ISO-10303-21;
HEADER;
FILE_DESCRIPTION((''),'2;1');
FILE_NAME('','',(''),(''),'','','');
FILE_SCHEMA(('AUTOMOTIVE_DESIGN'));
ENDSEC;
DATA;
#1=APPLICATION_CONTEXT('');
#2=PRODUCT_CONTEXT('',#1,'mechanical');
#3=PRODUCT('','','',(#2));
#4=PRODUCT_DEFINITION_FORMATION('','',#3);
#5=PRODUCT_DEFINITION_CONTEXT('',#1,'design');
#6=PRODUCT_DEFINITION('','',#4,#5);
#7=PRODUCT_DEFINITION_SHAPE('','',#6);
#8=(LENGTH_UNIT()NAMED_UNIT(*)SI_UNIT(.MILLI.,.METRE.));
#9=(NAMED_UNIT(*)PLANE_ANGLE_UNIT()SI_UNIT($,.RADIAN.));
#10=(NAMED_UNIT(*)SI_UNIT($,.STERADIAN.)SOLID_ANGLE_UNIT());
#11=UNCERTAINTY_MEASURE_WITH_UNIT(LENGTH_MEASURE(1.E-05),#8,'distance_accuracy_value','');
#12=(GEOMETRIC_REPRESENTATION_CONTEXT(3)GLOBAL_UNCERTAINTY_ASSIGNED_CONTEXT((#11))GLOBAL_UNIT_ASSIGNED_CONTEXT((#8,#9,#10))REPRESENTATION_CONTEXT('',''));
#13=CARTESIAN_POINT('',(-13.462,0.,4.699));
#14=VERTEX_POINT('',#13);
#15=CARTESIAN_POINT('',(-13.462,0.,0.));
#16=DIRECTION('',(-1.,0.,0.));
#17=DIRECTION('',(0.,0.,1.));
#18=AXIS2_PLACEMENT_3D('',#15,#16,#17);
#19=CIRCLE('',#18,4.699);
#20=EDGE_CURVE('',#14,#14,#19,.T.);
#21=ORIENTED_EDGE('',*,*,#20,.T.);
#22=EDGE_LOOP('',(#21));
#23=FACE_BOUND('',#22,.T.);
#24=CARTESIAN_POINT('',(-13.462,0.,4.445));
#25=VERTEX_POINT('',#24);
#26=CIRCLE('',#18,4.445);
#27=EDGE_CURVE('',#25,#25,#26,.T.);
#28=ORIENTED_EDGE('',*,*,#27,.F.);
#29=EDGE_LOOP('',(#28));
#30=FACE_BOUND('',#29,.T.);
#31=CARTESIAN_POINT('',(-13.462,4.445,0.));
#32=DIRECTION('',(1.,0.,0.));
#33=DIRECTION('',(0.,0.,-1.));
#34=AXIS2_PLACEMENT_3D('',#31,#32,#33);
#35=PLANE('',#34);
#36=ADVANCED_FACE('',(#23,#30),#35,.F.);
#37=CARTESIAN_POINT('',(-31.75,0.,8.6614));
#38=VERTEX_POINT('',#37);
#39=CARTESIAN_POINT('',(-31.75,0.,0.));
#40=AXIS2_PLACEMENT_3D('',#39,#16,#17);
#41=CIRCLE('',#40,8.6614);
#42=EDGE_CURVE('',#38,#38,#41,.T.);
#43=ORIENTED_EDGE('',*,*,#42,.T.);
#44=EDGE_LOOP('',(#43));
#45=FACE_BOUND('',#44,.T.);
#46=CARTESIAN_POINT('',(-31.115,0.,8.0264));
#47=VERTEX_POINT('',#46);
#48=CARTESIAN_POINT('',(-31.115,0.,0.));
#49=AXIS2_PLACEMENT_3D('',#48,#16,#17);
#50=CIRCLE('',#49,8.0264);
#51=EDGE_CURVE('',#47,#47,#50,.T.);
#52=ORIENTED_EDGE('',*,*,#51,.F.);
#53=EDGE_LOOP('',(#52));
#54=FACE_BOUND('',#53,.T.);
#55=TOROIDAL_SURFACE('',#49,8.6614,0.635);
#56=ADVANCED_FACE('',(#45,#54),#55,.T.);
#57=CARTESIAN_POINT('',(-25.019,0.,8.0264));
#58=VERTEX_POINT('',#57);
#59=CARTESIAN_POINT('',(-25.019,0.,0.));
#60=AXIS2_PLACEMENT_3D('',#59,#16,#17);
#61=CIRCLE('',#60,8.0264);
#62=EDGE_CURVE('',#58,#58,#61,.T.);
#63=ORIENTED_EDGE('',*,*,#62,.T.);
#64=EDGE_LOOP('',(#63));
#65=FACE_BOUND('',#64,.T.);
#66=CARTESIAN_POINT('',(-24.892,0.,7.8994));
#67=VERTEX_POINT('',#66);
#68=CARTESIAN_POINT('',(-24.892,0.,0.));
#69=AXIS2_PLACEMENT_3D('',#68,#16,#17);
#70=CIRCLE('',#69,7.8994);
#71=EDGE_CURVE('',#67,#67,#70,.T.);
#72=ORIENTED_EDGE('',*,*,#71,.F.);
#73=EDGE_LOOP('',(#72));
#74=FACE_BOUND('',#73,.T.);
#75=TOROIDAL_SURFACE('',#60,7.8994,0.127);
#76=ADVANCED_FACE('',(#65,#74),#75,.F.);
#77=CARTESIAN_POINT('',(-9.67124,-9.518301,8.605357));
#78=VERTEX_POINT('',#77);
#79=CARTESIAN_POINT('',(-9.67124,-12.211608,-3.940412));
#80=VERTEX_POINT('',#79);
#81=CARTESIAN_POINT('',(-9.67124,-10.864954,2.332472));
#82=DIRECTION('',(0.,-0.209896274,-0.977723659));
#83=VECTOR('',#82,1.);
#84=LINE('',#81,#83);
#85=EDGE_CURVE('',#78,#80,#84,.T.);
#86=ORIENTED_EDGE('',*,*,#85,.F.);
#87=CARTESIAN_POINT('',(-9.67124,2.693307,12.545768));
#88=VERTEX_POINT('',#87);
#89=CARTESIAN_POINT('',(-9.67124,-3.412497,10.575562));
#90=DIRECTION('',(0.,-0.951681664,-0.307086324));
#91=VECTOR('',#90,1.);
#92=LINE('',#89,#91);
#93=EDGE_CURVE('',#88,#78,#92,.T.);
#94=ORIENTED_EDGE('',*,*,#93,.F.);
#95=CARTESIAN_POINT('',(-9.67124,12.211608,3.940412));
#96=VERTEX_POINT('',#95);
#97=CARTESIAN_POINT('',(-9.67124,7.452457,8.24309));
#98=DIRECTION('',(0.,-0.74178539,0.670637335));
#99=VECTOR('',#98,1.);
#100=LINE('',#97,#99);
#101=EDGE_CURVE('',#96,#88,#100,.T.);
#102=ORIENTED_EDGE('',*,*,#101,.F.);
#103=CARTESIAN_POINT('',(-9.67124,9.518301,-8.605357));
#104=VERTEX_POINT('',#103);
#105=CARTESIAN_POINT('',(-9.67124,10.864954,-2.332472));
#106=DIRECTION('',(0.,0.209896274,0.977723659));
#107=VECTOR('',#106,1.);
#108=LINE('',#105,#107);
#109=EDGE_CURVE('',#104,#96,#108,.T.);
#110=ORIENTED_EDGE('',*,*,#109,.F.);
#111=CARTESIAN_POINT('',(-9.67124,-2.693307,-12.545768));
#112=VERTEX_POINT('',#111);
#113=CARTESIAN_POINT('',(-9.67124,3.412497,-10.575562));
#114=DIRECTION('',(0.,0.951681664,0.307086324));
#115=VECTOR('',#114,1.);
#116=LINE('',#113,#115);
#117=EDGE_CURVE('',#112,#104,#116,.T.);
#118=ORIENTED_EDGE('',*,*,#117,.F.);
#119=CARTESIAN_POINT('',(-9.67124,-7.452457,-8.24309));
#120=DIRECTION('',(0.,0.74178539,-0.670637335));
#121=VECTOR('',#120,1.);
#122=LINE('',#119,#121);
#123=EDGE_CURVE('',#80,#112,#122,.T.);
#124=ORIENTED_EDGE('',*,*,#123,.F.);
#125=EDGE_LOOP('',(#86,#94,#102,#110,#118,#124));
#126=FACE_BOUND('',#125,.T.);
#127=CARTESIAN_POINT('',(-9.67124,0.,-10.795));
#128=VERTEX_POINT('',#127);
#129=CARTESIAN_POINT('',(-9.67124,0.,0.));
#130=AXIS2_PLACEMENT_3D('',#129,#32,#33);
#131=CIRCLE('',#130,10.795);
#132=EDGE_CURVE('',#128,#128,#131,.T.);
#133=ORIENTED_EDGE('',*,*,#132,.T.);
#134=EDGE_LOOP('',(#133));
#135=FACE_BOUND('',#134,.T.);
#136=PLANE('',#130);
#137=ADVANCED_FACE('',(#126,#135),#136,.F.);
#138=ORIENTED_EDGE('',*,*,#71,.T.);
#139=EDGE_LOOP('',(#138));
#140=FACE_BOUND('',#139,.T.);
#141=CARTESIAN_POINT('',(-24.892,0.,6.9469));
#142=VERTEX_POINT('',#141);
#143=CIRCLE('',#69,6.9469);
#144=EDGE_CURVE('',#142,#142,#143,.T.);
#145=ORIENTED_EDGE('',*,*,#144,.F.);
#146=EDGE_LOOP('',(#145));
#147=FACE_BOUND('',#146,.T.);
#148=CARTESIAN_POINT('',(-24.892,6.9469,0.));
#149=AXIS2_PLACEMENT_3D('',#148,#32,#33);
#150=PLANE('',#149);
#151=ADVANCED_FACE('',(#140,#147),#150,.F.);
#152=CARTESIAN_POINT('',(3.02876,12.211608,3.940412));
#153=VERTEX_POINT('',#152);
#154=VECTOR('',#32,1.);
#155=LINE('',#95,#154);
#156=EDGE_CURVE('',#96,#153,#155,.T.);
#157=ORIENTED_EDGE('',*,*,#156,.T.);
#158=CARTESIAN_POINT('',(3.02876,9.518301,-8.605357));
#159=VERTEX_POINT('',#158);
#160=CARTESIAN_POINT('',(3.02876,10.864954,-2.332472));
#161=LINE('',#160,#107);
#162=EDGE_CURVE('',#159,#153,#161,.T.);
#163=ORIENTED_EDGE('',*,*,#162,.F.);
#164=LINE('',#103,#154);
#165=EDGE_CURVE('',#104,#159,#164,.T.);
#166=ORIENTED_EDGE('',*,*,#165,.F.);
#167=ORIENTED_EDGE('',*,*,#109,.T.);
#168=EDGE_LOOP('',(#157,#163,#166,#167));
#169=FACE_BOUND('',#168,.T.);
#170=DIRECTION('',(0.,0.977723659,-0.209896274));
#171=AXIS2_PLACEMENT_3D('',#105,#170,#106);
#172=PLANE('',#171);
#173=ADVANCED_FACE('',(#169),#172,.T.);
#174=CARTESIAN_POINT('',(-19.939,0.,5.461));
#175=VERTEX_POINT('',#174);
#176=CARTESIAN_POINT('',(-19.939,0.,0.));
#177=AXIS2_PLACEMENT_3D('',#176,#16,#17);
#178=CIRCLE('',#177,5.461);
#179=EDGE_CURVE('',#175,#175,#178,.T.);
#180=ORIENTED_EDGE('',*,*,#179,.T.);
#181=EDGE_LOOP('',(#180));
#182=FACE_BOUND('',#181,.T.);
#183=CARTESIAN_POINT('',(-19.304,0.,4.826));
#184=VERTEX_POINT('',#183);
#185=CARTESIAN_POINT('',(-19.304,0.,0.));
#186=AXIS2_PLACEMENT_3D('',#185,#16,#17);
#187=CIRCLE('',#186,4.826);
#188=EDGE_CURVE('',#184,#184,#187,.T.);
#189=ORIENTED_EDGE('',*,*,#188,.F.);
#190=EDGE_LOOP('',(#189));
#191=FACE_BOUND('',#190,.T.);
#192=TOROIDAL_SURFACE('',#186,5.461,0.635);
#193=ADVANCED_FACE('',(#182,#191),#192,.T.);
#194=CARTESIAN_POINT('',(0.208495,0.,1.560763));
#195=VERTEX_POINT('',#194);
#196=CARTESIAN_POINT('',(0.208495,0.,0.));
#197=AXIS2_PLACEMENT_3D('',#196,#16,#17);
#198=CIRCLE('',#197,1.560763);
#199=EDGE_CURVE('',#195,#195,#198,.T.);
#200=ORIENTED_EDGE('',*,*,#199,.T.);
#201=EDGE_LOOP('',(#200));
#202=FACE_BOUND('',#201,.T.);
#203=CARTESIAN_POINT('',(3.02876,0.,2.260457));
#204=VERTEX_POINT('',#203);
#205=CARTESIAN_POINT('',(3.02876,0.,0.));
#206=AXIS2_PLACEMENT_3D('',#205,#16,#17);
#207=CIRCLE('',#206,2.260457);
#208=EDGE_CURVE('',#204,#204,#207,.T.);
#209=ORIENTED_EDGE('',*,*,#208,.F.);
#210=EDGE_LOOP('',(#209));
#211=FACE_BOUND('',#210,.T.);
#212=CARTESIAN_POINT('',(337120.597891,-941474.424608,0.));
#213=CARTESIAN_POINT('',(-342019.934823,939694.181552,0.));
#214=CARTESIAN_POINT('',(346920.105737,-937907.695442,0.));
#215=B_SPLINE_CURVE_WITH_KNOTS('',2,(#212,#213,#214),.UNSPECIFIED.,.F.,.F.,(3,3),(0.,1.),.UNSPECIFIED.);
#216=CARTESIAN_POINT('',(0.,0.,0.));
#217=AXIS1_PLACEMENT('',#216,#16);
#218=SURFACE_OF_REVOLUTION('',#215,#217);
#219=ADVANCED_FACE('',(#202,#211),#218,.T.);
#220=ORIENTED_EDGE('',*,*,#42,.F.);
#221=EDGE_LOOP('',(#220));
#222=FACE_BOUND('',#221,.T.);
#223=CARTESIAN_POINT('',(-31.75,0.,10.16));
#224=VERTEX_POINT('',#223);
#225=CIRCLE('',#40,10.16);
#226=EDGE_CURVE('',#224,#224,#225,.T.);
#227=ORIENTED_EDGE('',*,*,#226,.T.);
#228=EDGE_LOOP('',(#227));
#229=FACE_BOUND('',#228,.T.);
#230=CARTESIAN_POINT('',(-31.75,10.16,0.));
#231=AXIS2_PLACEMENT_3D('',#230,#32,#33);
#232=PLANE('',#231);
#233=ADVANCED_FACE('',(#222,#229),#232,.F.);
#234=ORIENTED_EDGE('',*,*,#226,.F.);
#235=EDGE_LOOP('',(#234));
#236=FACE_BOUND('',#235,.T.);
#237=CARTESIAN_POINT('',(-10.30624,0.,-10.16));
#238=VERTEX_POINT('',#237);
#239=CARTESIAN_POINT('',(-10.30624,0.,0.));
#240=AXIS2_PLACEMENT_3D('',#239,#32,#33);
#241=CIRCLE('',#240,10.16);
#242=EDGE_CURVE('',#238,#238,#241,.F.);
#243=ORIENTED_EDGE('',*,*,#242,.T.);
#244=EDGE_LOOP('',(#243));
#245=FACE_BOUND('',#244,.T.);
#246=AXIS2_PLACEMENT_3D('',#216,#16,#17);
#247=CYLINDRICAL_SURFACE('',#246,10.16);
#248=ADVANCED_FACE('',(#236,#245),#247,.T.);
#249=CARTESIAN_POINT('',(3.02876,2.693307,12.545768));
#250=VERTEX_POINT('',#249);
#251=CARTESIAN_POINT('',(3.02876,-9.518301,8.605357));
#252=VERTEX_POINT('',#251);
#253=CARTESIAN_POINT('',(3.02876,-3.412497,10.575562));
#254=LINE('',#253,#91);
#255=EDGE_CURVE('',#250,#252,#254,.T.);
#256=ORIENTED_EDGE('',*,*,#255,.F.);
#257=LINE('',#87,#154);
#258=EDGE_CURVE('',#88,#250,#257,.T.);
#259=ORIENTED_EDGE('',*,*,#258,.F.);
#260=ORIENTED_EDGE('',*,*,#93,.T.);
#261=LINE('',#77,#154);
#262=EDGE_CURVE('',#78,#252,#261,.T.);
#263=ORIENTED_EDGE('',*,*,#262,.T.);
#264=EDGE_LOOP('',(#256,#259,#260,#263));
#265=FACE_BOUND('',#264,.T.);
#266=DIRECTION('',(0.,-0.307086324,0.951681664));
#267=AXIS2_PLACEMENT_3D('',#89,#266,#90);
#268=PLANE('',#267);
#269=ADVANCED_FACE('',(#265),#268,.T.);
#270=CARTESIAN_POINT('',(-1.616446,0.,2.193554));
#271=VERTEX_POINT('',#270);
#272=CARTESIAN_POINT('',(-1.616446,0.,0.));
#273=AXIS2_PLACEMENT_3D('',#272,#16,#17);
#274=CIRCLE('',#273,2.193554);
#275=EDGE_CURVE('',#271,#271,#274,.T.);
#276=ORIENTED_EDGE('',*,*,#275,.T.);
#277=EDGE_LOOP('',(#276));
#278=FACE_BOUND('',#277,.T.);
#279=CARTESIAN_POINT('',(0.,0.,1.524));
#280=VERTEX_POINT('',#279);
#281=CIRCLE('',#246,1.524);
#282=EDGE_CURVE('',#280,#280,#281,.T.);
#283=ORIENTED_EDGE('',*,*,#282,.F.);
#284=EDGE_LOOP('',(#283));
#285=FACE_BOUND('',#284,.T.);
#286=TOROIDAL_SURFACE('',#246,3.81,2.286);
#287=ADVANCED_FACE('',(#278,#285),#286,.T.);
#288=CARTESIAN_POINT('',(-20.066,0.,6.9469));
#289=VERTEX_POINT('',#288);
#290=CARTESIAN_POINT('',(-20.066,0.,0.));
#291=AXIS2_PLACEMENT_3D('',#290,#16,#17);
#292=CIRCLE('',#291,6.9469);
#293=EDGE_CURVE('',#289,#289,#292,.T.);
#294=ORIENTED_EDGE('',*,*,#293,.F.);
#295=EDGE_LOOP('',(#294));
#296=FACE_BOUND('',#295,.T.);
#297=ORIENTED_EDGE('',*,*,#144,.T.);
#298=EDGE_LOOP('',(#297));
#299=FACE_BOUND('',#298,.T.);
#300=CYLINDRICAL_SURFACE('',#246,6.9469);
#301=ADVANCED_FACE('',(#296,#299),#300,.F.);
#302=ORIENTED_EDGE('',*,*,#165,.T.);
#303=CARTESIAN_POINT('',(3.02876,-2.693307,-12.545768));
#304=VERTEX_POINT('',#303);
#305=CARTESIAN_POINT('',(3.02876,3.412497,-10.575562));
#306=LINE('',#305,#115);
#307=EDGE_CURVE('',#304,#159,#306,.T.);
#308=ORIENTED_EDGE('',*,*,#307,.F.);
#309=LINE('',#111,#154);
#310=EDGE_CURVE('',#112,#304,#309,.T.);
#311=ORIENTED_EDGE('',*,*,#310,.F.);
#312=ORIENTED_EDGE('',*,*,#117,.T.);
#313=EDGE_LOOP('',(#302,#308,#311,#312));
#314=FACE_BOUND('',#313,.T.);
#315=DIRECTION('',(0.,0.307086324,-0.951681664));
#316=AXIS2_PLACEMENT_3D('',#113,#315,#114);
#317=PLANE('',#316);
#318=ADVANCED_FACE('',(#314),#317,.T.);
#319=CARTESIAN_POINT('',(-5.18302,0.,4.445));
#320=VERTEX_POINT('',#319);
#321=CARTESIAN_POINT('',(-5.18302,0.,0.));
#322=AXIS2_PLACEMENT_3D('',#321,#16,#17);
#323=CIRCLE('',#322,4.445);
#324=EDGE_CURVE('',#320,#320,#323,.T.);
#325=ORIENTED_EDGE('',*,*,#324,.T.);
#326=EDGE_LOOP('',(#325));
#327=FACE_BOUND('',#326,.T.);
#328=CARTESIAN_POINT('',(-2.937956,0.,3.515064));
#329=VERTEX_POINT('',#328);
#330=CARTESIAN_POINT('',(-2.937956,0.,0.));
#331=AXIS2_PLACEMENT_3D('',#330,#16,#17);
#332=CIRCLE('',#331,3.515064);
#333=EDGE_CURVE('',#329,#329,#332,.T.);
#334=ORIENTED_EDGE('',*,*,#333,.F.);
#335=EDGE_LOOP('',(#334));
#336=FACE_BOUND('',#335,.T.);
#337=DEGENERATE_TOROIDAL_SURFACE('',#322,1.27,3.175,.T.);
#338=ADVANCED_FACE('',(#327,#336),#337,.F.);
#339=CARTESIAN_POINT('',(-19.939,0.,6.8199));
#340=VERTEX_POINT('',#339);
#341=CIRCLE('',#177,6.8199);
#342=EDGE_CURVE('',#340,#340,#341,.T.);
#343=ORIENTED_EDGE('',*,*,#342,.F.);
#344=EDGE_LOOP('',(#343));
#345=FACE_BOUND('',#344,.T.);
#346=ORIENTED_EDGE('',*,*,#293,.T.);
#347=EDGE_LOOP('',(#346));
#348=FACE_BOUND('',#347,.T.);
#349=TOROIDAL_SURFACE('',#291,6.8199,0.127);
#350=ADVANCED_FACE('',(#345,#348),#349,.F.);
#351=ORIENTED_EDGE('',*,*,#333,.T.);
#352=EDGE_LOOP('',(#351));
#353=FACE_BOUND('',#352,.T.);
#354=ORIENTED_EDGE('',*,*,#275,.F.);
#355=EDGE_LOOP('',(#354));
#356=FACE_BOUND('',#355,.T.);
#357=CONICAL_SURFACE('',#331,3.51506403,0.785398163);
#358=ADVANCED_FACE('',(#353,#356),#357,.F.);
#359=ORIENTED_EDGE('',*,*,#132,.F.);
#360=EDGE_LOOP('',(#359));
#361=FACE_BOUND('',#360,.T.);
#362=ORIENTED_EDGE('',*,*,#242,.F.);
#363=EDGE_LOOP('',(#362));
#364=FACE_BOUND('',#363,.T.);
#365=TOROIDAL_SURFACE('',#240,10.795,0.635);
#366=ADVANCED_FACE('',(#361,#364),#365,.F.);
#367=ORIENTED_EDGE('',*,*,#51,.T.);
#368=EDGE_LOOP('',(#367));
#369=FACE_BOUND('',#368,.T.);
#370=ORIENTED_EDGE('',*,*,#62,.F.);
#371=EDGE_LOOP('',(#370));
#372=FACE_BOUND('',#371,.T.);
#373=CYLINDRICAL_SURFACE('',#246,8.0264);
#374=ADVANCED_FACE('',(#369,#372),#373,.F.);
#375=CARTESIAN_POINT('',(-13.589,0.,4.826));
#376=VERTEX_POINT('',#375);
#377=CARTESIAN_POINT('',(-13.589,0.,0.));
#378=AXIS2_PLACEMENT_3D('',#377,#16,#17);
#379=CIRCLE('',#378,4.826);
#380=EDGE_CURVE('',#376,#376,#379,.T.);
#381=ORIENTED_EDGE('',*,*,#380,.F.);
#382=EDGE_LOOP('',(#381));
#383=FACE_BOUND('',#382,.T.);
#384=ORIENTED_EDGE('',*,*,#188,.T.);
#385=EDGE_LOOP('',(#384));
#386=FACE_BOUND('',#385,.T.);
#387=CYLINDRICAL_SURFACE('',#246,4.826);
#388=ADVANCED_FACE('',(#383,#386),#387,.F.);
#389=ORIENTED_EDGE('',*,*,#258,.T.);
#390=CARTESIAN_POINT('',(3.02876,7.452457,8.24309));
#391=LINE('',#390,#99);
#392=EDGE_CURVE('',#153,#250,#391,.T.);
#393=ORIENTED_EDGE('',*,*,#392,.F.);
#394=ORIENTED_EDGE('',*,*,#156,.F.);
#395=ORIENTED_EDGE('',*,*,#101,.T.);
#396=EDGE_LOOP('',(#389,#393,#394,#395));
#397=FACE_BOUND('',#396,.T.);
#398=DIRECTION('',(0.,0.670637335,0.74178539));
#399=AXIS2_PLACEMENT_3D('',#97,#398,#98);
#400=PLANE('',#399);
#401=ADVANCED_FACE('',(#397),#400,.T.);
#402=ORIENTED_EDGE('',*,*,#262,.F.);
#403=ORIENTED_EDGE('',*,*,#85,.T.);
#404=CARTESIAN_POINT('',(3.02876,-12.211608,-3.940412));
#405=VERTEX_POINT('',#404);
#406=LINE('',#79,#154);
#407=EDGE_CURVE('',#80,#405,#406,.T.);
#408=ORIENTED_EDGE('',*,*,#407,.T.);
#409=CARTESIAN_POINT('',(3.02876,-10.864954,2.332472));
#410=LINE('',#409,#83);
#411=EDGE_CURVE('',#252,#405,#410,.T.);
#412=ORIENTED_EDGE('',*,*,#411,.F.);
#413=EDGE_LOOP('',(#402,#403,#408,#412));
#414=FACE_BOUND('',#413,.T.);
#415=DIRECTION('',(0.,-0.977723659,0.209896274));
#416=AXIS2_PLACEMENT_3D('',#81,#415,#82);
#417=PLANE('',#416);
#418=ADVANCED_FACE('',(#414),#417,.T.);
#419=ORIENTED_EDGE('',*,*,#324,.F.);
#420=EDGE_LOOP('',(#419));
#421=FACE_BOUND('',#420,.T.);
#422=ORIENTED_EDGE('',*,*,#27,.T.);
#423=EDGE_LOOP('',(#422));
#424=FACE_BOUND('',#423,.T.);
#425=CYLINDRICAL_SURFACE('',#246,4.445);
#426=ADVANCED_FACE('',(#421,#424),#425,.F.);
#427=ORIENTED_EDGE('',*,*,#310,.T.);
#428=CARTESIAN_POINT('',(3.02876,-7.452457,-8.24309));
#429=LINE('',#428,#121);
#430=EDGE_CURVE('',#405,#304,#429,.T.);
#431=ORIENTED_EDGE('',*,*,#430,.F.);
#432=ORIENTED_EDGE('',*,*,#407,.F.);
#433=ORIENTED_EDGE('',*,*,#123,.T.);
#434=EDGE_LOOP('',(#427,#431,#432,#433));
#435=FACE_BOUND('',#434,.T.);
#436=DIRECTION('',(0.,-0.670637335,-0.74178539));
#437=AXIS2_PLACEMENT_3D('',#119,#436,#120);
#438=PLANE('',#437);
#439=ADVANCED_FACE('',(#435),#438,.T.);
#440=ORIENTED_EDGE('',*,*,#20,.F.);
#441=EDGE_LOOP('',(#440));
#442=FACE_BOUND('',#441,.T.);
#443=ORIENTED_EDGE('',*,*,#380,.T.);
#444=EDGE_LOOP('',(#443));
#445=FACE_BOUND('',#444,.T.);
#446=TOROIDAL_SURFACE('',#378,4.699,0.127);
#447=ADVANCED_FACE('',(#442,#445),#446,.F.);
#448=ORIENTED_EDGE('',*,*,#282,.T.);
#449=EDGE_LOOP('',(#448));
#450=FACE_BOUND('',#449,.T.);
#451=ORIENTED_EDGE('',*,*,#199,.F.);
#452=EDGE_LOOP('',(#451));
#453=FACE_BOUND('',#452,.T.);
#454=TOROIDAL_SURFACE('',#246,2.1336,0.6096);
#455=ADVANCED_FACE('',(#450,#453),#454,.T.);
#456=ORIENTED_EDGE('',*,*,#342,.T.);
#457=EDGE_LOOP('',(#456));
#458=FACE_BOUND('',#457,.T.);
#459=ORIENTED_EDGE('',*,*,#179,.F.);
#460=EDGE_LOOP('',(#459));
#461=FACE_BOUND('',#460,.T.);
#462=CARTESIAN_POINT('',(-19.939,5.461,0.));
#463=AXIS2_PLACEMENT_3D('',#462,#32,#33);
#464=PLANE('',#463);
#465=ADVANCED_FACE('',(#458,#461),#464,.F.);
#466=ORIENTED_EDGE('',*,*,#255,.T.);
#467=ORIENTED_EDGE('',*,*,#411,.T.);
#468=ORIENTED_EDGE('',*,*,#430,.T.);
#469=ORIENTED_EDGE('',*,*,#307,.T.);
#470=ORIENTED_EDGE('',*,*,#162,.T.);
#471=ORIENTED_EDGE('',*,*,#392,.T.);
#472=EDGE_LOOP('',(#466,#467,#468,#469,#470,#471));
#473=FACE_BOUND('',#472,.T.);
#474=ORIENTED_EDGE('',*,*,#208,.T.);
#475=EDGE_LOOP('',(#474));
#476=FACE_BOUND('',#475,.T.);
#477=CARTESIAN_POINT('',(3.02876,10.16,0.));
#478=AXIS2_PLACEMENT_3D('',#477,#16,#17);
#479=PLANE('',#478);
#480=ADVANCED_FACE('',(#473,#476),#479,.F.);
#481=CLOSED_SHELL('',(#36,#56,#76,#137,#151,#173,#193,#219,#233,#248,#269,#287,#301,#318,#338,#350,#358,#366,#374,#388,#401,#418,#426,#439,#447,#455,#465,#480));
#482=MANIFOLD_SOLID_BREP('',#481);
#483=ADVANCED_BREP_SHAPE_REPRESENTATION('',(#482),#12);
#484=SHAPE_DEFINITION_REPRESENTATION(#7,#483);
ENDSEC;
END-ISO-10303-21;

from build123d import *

# Parameters (mm, degrees)
SKETCH4_R           = 10.16
BOSS_EXTRUDE1_DEPTH = 12.7
FILLET1_R           = 0.635


with BuildPart() as part:
    # Sketch1 → Revolve1 (revolve)
    with BuildSketch(Plane.XY, mode=Mode.PRIVATE) as revolve1_sk:
        with BuildLine():
            Line((-1.616446102, 2.193553898), (-2.937956234, 3.51506403))
            ThreePointArc((-2.937956234, 3.51506403), (-3.968000366, 4.203317516), (-5.183020264, 4.445))
            Line((-5.183020264, 4.445), (-13.462, 4.445))
            Line((-13.462, 4.445), (-13.462, 4.699))
            ThreePointArc((-13.462, 4.699), (-13.499197439, 4.788802561), (-13.589, 4.826))
            Line((-13.589, 4.826), (-19.304, 4.826))
            ThreePointArc((-19.304, 4.826), (-19.753012806, 5.011987194), (-19.939, 5.461))
            Line((-19.939, 5.461), (-19.939, 6.8199))
            ThreePointArc((-19.939, 6.8199), (-19.976197439, 6.909702561), (-20.066, 6.9469))
            Line((-20.066, 6.9469), (-24.892, 6.9469))
            Line((-24.892, 6.9469), (-24.892, 7.8994))
            ThreePointArc((-24.892, 7.8994), (-24.929197439, 7.989202561), (-25.019, 8.0264))
            Line((-25.019, 8.0264), (-31.115, 8.0264))
            ThreePointArc((-31.115, 8.0264), (-31.564012806, 8.212387194), (-31.75, 8.6614))
            Line((-31.75, 8.6614), (-31.75, 10.16))
            Line((-31.75, 10.16), (-9.671239617, 10.16))
            Line((-9.671239617, 10.16), (3.028760383, 10.16))
            Line((3.028760383, 10.16), (3.028760383, 2.260457299))
            add(Edge.make_bspline(
                [(3.028760383, 2.260457299), (1.566112415, 2.054895533), (0.208495479, 1.560763378)],
                knots=[0, 0, 0, 1, 1, 1], degree=2))
            ThreePointArc((0.208495479, 1.560763378), (0.105855929, 1.533261194), (0, 1.524))
            ThreePointArc((0, 1.524), (-0.874814326, 1.698011389), (-1.616446102, 2.193553898))
        make_face()
    revolve(revolve1_sk.sketch.rotate(Axis((0, 0, 0), (1, 0, 0)), 90), axis=Axis((0, 0, 0), (1, 0, 0)))

    # Sketch4 → Boss-Extrude1 (add)
    with BuildSketch(Plane(origin=(3.028760383, 0, 0), x_dir=(0, 0, -1), z_dir=(1, 0, 0))):
        Polygon((3.940411868, -12.211607701), (12.545768424, -2.693307071), (8.605356556, 9.51830063), (-3.940411868, 12.211607701), (-12.545768424, 2.693307071), (-8.605356556, -9.51830063), align=None)
        with Locations(Location((0, 0, 0), (0, 0, 180))):
            Circle(SKETCH4_R, mode=Mode.SUBTRACT)
    extrude(amount=-BOSS_EXTRUDE1_DEPTH)

    # Fillet1
    fillet1_edges = [part.edges().sort_by_distance(p)[0] for p in [
        (-9.671239617, 0, -10.16),
    ]]
    fillet(fillet1_edges, radius=FILLET1_R)


solid = part.part
